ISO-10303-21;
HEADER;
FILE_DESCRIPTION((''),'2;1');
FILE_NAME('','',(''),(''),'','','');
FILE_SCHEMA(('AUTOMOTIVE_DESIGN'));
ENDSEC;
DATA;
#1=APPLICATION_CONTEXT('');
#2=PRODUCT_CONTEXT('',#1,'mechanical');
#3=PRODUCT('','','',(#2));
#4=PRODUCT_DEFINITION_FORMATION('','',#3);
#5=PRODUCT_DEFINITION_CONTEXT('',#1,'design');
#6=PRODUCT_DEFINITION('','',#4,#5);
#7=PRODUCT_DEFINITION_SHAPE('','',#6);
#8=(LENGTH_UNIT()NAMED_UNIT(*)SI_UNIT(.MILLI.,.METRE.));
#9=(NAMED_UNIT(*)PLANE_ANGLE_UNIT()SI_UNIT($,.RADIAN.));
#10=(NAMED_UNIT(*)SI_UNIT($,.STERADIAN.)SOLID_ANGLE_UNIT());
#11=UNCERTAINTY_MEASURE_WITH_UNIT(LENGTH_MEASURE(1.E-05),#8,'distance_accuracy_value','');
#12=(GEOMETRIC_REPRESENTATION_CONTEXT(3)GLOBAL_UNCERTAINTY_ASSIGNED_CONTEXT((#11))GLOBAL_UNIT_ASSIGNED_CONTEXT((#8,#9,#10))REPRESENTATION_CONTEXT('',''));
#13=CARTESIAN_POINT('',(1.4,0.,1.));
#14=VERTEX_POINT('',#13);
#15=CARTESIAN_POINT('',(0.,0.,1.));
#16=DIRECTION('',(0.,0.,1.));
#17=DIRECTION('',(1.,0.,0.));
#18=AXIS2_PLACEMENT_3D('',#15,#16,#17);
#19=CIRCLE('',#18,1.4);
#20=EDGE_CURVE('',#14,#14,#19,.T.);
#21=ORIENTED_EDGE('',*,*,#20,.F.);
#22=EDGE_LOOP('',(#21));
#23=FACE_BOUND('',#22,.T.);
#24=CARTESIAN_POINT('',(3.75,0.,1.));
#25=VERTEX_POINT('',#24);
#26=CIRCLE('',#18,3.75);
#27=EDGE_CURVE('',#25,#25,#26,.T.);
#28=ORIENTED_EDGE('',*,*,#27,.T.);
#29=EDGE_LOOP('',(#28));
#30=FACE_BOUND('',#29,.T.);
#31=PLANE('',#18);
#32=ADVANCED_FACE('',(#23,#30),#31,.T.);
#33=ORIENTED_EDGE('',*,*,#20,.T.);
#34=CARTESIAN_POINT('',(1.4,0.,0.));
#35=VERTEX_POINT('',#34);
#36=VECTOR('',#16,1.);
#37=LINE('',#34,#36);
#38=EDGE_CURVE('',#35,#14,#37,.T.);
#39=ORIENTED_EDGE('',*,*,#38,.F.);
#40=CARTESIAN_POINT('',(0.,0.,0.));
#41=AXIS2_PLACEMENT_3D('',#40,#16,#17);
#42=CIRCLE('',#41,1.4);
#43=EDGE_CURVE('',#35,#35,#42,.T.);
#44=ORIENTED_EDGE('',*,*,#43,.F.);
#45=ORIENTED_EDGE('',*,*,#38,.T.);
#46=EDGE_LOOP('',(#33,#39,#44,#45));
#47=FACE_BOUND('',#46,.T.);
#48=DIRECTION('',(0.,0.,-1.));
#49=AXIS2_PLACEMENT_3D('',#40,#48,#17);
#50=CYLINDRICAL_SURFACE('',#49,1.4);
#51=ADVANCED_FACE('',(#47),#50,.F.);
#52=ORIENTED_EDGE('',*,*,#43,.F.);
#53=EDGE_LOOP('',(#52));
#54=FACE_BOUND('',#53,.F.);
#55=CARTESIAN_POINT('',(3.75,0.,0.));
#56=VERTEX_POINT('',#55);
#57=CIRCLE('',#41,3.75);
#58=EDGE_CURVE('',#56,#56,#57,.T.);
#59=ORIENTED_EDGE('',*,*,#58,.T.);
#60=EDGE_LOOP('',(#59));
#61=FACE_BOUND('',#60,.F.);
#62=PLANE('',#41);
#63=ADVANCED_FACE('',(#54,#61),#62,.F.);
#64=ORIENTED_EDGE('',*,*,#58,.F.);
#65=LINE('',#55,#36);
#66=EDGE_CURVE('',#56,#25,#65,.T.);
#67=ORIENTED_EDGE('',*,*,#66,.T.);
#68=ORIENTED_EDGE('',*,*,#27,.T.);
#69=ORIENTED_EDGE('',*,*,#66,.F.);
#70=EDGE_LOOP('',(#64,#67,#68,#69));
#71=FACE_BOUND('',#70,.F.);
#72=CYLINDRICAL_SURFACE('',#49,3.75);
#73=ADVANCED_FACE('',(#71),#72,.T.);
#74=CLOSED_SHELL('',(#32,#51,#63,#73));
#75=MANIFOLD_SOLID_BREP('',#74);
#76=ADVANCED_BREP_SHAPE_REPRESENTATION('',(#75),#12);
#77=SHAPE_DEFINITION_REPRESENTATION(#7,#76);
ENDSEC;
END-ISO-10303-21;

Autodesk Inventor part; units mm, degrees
ref_plane "YZ Plane" through (0, 0, 0) normal (1, 0, 0) x (0, 1, 0)
ref_plane "XZ Plane" through (0, 0, 0) normal (0, 1, 0) x (-1, 0, 0)
ref_plane "XY Plane" through (0, 0, 0) normal (0, 0, 1) x (1, 0, 0)
sketch "Sketch1" plane through (0, 0, 0) normal (0, 0, 1) x (1, 0, 0)
  circle A0 centre (0, 0) radius 3.75
  circle A1 centre (0, 0) radius 1.4
  dimension "d0" = 7.5
  dimension "d1" = 2.8
extrude "Extrusion1" add sketch "Sketch1" along normal blind 1
properties part number "Musab7" material "Bronze"
